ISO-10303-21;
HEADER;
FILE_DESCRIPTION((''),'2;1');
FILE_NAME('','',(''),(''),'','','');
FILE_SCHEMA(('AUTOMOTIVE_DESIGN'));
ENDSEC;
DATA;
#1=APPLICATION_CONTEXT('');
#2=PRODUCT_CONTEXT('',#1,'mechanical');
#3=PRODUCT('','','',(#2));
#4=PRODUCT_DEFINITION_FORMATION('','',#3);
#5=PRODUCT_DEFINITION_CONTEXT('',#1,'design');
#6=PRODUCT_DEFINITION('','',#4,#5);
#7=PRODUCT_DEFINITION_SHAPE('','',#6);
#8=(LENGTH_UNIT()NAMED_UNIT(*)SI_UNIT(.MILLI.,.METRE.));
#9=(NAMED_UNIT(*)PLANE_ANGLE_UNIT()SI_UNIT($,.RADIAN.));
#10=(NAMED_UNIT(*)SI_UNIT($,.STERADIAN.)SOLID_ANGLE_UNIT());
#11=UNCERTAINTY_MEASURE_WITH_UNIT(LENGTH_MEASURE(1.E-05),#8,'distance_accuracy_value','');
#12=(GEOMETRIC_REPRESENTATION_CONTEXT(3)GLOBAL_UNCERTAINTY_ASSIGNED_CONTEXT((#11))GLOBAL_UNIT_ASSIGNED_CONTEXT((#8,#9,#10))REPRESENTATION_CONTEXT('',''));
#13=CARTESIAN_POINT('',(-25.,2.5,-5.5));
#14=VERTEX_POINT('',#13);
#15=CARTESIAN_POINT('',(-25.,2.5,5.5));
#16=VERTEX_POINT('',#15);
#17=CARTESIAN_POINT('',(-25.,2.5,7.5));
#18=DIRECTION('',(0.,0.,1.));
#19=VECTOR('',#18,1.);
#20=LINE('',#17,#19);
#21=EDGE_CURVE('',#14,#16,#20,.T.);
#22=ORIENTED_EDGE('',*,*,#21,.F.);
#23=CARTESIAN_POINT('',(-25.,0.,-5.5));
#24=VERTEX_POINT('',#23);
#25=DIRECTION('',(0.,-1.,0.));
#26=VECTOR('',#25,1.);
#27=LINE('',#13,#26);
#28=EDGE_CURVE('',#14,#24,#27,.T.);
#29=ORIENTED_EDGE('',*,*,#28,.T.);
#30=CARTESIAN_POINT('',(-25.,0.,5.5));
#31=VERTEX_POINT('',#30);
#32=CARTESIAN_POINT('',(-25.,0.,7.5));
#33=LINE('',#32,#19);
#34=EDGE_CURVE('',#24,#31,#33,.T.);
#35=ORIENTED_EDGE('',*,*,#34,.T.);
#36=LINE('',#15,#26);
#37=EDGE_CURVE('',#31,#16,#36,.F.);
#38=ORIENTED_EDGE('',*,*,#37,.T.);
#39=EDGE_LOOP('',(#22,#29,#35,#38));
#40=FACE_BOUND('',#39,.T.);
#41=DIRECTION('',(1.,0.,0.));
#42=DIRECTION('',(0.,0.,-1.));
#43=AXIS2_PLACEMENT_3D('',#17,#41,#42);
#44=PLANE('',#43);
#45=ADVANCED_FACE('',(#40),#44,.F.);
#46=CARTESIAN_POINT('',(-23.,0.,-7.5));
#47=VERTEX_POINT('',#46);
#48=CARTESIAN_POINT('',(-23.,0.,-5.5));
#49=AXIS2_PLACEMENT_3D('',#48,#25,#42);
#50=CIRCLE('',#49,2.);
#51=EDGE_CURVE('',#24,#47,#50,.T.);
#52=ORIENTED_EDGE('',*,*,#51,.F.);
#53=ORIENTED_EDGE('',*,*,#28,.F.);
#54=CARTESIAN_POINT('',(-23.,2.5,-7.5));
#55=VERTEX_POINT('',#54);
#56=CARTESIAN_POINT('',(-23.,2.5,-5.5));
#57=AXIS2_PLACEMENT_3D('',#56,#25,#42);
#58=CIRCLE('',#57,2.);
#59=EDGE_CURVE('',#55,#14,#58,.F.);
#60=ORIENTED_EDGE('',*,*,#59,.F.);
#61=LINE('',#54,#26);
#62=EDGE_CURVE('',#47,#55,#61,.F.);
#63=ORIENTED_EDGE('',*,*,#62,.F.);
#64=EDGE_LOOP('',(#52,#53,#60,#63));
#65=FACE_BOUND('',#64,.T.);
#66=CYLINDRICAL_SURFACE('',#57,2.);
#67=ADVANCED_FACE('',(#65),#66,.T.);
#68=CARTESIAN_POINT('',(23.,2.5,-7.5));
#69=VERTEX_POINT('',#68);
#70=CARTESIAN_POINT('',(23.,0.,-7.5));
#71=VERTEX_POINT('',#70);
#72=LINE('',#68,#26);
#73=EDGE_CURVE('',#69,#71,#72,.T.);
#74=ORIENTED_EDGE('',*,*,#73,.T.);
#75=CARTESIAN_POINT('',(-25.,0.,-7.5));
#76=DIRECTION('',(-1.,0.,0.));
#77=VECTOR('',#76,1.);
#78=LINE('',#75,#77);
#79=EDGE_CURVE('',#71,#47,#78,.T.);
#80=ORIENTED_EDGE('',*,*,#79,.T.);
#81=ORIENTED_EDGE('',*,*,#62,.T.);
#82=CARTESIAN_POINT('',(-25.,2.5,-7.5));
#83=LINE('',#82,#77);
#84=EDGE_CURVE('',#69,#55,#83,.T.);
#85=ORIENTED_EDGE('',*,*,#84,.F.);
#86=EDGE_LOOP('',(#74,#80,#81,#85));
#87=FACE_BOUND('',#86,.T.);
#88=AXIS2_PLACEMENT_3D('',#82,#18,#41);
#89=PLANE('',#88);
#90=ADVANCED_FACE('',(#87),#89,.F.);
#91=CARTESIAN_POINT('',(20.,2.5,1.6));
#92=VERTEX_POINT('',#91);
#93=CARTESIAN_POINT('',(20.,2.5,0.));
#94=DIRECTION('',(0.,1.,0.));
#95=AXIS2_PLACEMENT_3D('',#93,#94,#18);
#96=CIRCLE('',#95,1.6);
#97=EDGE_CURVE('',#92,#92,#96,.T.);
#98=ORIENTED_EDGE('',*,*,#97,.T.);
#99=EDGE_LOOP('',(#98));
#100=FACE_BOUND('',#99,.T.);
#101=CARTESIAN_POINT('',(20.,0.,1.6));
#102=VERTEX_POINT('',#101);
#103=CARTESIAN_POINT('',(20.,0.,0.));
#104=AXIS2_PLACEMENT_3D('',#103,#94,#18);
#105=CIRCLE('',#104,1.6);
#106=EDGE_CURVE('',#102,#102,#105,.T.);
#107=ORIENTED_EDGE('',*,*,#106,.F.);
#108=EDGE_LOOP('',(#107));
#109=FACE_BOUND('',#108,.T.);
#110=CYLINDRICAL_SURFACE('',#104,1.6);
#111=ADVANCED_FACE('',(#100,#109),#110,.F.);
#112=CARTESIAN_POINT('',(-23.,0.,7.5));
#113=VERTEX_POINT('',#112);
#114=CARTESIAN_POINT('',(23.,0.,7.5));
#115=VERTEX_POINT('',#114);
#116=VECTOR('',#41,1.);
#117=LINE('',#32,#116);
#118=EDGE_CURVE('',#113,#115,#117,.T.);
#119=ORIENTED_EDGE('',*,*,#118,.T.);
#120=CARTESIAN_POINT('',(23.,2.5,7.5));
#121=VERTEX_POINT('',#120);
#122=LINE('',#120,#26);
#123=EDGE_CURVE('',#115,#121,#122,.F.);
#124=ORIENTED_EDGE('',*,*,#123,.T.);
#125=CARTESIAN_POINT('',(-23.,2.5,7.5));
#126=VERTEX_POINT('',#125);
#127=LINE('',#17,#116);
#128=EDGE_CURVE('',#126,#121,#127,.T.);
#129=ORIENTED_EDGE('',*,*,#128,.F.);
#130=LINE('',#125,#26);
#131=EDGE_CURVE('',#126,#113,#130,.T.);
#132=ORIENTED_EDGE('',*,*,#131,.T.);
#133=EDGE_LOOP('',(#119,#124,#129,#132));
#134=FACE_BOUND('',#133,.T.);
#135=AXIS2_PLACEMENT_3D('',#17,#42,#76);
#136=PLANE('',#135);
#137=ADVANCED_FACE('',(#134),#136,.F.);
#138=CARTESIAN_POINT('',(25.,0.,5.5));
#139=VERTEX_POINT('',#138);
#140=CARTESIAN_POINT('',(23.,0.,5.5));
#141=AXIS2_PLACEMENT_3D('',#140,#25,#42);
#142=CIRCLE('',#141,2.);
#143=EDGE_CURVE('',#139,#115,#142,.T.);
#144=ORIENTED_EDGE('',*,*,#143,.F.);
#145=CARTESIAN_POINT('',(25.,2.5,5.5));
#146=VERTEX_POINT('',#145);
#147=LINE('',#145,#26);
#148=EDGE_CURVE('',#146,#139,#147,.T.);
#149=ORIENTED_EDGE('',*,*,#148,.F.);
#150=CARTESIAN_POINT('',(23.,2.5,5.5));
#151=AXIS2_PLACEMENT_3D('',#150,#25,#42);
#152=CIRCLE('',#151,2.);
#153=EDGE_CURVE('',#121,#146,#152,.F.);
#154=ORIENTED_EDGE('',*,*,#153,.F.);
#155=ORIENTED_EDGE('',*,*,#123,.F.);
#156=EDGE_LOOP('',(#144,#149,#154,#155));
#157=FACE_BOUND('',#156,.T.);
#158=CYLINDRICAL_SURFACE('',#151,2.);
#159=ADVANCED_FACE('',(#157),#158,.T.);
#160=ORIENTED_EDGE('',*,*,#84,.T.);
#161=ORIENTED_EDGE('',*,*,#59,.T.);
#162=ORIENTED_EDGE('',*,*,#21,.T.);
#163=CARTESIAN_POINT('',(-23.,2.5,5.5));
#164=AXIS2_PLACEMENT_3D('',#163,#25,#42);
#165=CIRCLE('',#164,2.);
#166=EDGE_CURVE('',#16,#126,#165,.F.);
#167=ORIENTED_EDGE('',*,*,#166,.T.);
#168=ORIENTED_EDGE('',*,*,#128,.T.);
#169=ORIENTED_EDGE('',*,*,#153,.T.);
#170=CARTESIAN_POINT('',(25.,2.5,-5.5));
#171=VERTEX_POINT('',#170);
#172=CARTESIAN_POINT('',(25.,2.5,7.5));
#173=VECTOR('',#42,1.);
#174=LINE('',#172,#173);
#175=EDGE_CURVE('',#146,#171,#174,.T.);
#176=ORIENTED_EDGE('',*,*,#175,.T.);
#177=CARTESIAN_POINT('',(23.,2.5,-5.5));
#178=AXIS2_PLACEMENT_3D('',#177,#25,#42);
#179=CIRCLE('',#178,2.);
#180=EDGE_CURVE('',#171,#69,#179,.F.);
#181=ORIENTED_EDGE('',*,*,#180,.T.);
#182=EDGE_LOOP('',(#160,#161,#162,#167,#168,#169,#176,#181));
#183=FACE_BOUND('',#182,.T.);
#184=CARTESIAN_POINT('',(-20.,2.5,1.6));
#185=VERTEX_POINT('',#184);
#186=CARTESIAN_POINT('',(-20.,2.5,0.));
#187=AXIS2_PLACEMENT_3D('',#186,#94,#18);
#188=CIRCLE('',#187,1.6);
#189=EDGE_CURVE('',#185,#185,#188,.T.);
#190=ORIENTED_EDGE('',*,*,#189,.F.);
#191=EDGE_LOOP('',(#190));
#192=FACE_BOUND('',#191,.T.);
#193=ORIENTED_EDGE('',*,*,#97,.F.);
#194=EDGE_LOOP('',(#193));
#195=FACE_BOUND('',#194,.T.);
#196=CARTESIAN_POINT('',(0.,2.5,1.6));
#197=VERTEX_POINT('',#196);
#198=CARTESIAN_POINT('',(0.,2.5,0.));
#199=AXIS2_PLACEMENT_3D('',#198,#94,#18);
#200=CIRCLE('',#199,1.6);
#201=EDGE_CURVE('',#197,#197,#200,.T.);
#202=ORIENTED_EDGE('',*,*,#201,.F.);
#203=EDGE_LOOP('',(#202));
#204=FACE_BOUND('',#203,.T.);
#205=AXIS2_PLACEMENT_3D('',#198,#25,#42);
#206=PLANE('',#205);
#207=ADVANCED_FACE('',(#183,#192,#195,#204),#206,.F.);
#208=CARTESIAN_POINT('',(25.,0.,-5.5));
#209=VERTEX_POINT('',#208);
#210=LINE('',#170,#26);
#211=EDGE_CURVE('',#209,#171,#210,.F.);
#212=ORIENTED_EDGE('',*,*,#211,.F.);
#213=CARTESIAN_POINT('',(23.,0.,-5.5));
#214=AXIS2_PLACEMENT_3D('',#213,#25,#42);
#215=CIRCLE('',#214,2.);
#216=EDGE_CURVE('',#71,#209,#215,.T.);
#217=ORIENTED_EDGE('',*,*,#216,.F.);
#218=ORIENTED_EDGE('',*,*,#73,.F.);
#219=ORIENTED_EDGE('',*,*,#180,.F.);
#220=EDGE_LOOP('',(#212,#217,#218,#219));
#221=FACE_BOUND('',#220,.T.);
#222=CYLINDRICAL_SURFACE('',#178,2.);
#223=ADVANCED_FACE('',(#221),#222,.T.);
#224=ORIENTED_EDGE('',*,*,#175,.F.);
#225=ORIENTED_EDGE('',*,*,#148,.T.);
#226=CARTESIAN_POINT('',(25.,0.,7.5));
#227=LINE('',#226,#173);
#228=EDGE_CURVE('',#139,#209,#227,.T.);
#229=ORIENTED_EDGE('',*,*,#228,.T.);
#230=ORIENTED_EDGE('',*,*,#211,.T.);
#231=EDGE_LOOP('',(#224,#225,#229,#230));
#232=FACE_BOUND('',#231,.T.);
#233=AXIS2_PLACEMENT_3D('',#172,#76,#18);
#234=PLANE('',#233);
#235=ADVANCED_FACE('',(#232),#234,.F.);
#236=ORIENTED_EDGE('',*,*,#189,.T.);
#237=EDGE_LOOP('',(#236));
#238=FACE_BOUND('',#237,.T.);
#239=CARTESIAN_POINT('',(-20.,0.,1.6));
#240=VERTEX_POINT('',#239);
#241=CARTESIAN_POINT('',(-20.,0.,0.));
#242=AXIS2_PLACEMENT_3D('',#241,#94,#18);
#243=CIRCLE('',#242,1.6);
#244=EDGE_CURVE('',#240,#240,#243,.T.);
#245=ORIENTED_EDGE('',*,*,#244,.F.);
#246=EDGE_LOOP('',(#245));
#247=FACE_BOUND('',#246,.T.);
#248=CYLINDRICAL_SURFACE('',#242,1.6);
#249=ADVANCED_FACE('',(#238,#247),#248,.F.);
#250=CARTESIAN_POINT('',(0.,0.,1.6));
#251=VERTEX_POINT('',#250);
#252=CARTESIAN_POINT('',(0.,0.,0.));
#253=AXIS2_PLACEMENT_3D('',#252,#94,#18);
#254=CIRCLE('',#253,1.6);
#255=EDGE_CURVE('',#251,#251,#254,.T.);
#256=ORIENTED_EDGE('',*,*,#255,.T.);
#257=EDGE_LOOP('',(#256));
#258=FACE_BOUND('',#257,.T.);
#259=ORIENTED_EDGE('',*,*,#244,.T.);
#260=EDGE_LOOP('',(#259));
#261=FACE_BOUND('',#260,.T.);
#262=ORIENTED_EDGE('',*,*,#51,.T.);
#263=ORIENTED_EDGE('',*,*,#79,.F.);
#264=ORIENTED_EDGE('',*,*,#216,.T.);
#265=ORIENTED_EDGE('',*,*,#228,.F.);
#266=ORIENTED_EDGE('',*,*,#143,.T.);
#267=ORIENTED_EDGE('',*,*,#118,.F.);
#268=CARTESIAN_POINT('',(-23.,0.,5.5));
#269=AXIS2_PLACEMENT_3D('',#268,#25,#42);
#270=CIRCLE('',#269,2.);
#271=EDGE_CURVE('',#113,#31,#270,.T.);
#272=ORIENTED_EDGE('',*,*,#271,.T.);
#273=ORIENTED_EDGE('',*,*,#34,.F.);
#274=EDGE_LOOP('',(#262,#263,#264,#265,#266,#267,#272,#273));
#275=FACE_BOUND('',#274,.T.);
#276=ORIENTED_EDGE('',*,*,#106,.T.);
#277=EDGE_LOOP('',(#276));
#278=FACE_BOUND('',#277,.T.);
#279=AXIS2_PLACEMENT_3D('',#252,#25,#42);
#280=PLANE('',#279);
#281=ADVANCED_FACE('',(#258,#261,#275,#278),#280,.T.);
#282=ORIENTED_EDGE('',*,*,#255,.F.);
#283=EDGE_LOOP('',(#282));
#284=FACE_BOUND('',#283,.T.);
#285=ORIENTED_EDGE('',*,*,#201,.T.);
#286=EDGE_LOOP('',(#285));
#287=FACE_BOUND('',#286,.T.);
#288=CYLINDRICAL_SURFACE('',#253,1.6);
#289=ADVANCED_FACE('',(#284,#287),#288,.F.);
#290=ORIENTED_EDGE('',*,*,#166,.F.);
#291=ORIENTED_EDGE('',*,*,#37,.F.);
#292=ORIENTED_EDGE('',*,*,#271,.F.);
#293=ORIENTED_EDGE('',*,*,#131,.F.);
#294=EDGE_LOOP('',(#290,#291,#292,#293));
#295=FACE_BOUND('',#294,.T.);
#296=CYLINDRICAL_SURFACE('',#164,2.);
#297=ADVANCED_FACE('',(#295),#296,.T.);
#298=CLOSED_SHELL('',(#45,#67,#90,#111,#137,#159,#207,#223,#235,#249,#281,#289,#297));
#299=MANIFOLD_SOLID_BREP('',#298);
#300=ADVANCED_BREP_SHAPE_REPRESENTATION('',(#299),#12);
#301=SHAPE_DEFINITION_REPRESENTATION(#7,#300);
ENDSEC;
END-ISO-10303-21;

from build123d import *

# Parameters (mm, degrees)
SKETCH_1_W          = 50
SKETCH_1_H          = 15
EXTRUDE_1_DEPTH     = 2.5
SKETCH_2_R          = 1.6
CUT_EXTRUDE_1_DEPTH = 27.220221204
FILLET_1_R          = 2


with BuildPart() as part:
    # 草图1 → 凸台-拉伸1 (new body)
    with BuildSketch(Plane(origin=(0, 0, 0), x_dir=(1, 0, 0), z_dir=(0, 1, 0))):
        Rectangle(SKETCH_1_W, SKETCH_1_H)
    extrude(amount=EXTRUDE_1_DEPTH)

    # 草图2 → 切除-拉伸1 (cut, through all)
    with BuildSketch(Plane(origin=(0, 2.5, 0), x_dir=(1, 0, 0), z_dir=(0, 1, 0))):
        with Locations(Location((0, 0, 0), (0, 0, 270))):
            Circle(SKETCH_2_R)
        with Locations(Location((-20, 0, 0), (0, 0, 270))):
            Circle(SKETCH_2_R)
        with Locations(Location((20, 0, 0), (0, 0, 270))):
            Circle(SKETCH_2_R)
    extrude(amount=-CUT_EXTRUDE_1_DEPTH, mode=Mode.SUBTRACT)

    # 圆角1
    fillet_1_edges = [part.edges().sort_by_distance(p)[0] for p in [
        (25, 1.25, 7.5),
        (-25, 1.25, 7.5),
        (-25, 1.25, -7.5),
        (25, 1.25, -7.5),
    ]]
    fillet(fillet_1_edges, radius=FILLET_1_R)


solid = part.part
